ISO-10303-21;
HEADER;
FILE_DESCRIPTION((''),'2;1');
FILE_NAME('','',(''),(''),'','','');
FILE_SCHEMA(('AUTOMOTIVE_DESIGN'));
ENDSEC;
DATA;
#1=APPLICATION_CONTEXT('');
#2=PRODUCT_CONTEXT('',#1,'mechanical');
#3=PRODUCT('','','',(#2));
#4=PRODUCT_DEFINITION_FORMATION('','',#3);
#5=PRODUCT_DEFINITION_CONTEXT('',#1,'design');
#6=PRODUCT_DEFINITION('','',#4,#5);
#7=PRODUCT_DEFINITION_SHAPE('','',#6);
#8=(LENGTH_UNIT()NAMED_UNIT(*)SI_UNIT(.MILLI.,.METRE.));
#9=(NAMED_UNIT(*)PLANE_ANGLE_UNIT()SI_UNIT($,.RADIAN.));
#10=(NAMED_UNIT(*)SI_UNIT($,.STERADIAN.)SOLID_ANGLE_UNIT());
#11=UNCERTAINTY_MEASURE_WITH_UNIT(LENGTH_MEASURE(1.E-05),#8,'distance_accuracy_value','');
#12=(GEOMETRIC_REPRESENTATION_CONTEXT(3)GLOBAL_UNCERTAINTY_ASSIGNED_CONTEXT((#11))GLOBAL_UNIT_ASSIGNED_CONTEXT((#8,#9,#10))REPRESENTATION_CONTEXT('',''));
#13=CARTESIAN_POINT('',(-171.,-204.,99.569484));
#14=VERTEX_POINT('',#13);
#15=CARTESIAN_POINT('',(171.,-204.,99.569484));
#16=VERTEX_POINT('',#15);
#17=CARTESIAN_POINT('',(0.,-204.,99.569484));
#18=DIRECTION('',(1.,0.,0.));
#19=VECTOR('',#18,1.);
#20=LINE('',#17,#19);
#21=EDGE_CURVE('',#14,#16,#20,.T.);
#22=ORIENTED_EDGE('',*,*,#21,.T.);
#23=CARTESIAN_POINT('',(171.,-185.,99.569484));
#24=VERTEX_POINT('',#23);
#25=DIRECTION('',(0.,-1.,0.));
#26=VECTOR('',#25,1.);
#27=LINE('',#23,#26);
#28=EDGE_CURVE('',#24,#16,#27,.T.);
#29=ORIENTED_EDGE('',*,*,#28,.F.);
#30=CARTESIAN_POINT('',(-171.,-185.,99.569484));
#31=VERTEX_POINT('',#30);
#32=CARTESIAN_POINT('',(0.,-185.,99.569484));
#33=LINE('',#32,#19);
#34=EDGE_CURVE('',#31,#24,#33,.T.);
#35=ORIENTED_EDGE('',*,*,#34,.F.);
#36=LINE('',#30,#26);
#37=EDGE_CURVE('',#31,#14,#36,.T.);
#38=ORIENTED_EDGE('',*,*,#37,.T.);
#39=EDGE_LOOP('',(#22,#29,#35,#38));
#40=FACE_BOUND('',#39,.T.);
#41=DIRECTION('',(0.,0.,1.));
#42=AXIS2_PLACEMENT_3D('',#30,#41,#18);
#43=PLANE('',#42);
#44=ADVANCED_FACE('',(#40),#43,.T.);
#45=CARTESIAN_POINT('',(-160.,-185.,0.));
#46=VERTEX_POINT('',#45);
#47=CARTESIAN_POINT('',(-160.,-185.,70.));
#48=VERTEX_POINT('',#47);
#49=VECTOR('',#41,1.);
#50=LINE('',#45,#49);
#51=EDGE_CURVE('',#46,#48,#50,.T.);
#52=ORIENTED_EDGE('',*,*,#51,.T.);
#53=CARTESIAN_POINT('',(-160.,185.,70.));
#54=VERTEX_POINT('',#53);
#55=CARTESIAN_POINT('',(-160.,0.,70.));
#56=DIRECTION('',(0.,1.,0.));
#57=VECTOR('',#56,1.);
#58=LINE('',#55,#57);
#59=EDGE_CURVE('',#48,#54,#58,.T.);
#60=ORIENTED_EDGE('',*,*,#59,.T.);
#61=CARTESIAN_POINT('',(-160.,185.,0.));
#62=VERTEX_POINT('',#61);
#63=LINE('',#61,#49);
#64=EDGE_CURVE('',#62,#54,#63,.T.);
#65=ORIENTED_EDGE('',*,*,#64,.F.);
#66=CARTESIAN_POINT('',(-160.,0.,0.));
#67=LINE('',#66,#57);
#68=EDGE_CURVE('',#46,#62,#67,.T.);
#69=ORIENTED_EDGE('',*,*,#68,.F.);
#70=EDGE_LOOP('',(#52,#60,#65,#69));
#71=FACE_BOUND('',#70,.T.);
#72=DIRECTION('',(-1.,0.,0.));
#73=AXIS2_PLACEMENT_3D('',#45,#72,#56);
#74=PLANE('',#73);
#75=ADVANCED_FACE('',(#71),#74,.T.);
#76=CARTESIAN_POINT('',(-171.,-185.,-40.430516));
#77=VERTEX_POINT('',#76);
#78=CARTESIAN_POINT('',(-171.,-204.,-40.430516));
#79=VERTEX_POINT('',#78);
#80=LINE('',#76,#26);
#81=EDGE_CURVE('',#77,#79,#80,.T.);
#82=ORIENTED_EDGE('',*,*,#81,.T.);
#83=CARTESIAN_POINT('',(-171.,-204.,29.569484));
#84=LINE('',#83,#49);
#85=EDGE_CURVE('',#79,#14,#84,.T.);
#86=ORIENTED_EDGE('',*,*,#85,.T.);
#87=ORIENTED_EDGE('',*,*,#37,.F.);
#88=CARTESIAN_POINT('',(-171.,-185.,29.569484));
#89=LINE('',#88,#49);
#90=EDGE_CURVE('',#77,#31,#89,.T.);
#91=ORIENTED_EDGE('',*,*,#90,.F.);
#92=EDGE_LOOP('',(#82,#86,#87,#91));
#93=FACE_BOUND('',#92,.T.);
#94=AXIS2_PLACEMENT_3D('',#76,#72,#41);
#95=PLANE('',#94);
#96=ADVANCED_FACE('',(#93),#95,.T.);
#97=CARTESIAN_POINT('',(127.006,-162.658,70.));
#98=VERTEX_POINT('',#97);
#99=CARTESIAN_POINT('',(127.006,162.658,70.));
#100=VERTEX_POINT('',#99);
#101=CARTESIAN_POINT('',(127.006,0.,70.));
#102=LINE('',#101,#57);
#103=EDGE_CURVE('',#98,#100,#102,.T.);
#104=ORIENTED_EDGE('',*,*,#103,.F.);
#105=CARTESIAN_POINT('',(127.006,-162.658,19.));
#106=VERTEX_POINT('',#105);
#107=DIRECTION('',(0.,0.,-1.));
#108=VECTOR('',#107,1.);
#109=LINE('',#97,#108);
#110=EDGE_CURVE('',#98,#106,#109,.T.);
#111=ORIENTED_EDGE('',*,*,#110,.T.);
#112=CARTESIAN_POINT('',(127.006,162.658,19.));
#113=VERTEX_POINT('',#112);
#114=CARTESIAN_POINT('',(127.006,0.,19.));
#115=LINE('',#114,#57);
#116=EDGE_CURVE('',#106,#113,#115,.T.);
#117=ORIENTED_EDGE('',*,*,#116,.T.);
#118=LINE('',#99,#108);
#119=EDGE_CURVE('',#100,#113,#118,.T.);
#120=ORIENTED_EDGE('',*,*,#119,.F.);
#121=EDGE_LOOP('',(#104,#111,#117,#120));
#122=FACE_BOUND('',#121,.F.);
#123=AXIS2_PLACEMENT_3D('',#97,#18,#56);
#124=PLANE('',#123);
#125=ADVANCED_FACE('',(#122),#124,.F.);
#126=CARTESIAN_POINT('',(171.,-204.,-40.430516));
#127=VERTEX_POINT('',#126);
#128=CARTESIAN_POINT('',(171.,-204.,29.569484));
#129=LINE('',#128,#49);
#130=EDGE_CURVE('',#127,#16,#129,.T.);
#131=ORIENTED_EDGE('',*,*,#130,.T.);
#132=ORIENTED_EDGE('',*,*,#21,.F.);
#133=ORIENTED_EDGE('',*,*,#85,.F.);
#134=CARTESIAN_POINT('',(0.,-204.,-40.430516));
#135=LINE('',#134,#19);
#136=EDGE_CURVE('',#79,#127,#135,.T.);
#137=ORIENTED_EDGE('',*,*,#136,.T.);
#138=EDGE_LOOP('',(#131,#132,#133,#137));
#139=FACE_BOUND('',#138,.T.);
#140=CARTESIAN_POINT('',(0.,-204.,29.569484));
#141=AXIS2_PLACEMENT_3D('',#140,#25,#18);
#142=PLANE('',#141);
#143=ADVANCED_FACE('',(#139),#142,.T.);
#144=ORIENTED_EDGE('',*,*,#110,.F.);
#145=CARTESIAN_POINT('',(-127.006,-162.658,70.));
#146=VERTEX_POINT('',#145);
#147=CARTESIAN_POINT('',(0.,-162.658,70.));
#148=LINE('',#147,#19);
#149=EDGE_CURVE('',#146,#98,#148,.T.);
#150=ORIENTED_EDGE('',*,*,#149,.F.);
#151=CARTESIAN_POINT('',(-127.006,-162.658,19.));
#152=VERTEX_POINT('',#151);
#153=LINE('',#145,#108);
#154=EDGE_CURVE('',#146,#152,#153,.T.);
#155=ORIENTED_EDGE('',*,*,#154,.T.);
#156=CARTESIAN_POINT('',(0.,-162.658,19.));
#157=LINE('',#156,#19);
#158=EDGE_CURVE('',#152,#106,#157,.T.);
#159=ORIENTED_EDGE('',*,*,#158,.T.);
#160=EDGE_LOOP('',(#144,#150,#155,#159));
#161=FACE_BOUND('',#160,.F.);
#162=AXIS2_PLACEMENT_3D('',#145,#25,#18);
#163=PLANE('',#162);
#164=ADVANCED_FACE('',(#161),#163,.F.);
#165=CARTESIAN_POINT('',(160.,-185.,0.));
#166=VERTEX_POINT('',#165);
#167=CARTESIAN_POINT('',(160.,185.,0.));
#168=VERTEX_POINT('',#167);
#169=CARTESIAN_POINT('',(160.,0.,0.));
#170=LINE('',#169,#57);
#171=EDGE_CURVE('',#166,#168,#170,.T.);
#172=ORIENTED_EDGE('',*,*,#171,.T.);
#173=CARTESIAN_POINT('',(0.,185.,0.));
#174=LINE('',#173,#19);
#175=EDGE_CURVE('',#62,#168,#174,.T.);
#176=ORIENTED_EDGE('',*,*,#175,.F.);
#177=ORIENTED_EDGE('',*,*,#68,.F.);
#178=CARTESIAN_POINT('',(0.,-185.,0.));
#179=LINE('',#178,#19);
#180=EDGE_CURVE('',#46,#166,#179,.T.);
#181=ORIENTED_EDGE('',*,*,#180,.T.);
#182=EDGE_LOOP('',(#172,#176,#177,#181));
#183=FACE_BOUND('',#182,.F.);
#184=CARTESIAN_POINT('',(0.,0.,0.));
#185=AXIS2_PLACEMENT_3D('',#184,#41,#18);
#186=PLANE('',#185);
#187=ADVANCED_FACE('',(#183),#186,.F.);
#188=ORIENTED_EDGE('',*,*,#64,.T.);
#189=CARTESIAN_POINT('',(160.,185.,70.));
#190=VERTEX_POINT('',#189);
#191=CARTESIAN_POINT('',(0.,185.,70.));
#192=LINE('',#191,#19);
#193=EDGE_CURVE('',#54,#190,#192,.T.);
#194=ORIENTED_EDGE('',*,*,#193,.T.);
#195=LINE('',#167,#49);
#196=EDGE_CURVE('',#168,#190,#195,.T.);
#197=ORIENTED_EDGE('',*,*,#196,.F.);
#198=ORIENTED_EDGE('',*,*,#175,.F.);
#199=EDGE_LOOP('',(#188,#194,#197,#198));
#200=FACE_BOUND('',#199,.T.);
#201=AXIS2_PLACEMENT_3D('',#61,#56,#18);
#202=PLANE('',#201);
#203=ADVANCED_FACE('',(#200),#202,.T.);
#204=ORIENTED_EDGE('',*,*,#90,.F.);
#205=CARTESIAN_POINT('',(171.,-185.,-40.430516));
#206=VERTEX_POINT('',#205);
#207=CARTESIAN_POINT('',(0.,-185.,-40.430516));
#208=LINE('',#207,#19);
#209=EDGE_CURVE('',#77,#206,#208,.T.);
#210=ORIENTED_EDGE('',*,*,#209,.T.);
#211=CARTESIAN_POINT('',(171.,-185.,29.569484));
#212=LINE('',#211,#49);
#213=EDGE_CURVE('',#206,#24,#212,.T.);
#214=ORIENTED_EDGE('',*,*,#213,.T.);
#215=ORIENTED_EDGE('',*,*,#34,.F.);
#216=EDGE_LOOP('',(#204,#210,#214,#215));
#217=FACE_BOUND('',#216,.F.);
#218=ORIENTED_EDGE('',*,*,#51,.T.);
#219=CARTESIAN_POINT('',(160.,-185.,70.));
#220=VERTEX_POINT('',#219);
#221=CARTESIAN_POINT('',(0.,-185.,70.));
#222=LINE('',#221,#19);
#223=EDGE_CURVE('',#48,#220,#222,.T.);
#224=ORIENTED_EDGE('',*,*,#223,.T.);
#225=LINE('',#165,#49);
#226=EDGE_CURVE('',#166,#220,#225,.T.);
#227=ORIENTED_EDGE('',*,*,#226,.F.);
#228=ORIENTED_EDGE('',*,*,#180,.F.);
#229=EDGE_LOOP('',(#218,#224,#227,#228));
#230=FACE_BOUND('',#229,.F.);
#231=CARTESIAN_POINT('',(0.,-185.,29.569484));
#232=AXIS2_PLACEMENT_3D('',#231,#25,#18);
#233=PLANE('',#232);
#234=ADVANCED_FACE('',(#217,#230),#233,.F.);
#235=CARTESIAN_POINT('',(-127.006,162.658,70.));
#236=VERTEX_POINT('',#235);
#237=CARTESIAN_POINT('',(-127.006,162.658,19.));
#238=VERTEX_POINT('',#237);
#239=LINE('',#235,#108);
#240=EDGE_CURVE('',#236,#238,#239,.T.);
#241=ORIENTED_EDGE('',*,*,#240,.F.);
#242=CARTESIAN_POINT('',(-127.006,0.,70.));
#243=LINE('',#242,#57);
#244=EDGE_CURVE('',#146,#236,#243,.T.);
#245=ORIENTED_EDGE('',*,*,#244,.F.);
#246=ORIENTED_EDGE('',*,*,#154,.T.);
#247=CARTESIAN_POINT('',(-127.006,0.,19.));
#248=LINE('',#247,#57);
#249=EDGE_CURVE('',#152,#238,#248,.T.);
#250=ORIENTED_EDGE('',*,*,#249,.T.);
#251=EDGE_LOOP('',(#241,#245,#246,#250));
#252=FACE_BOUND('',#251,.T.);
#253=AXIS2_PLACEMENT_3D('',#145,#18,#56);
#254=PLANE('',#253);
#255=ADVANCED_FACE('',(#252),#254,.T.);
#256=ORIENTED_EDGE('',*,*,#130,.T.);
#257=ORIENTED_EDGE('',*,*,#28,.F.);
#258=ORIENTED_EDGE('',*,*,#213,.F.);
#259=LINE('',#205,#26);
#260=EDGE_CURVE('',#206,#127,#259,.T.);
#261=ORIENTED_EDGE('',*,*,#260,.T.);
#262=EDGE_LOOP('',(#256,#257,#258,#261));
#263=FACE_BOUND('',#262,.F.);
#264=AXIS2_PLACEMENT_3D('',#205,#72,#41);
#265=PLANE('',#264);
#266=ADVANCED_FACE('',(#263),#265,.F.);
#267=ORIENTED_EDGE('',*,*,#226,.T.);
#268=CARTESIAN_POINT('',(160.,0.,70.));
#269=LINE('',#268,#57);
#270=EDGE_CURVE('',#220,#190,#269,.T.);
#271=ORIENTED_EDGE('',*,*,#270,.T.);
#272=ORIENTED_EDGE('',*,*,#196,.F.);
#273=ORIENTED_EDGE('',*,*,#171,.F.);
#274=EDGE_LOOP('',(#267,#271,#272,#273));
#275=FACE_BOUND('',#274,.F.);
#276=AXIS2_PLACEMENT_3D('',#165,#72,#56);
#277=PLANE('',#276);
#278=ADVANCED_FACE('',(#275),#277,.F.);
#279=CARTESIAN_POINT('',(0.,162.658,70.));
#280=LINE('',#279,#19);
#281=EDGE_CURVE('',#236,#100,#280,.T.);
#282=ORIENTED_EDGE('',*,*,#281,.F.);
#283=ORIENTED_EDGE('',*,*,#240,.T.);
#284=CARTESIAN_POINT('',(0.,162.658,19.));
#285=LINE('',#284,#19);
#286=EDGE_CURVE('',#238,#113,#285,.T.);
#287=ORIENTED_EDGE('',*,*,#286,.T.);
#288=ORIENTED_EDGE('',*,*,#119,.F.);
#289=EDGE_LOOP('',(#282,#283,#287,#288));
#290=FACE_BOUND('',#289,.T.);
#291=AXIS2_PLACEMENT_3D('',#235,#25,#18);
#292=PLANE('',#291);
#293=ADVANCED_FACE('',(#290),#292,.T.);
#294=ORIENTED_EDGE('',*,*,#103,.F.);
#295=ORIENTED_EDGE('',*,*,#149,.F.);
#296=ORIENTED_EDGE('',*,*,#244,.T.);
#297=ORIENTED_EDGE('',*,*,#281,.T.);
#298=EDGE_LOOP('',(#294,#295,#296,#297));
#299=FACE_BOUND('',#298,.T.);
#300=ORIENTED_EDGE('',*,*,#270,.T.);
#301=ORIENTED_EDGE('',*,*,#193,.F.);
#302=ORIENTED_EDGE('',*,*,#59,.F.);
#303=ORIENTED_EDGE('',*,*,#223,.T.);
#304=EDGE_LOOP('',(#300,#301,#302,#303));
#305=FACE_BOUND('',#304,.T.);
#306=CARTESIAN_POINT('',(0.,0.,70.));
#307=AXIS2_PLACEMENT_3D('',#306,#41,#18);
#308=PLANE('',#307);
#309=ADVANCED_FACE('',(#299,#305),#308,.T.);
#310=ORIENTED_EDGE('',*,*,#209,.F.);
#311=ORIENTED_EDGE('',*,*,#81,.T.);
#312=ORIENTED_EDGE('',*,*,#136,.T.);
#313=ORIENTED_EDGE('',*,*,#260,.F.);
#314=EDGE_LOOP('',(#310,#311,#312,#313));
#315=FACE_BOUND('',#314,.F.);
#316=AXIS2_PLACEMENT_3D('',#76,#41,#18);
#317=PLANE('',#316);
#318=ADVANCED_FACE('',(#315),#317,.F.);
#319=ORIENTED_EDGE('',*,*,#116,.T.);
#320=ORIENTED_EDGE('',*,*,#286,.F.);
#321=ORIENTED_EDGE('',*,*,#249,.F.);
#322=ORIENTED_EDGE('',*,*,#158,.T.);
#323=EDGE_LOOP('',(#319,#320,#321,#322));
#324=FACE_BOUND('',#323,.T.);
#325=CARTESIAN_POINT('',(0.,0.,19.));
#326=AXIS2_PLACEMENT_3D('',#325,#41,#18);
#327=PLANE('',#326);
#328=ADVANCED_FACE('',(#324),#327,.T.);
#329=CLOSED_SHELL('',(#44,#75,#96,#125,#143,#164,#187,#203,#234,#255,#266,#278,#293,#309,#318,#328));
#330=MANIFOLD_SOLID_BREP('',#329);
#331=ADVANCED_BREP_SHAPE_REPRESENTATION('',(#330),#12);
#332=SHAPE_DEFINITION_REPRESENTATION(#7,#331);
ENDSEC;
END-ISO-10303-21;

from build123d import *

# Parameters (mm, degrees)
F0_W     = 320
F0_H     = 370
F1_DEPTH = 70
F2_W     = 254.012
F2_H     = 325.316
F3_DEPTH = 51
F4_W     = 342
F4_H     = 140
F5_DEPTH = 19


with BuildPart() as f1:
    # F0 (on Top) → F1 (new body)
    with BuildSketch(Plane.XY):
        Rectangle(F0_W, F0_H)
    extrude(amount=F1_DEPTH)

    # F2 (on face) → F3 (cut)
    with BuildSketch(Plane.XY.offset(70)):
        Rectangle(F2_W, F2_H)
    extrude(amount=-F3_DEPTH, mode=Mode.SUBTRACT)

    # F4 (on face) → F5 (join)
    with BuildSketch(Plane.XZ.offset(185)):
        with Locations((0, 29.569484)):
            Rectangle(F4_W, F4_H)
    extrude(amount=F5_DEPTH)


solid = f1.part
